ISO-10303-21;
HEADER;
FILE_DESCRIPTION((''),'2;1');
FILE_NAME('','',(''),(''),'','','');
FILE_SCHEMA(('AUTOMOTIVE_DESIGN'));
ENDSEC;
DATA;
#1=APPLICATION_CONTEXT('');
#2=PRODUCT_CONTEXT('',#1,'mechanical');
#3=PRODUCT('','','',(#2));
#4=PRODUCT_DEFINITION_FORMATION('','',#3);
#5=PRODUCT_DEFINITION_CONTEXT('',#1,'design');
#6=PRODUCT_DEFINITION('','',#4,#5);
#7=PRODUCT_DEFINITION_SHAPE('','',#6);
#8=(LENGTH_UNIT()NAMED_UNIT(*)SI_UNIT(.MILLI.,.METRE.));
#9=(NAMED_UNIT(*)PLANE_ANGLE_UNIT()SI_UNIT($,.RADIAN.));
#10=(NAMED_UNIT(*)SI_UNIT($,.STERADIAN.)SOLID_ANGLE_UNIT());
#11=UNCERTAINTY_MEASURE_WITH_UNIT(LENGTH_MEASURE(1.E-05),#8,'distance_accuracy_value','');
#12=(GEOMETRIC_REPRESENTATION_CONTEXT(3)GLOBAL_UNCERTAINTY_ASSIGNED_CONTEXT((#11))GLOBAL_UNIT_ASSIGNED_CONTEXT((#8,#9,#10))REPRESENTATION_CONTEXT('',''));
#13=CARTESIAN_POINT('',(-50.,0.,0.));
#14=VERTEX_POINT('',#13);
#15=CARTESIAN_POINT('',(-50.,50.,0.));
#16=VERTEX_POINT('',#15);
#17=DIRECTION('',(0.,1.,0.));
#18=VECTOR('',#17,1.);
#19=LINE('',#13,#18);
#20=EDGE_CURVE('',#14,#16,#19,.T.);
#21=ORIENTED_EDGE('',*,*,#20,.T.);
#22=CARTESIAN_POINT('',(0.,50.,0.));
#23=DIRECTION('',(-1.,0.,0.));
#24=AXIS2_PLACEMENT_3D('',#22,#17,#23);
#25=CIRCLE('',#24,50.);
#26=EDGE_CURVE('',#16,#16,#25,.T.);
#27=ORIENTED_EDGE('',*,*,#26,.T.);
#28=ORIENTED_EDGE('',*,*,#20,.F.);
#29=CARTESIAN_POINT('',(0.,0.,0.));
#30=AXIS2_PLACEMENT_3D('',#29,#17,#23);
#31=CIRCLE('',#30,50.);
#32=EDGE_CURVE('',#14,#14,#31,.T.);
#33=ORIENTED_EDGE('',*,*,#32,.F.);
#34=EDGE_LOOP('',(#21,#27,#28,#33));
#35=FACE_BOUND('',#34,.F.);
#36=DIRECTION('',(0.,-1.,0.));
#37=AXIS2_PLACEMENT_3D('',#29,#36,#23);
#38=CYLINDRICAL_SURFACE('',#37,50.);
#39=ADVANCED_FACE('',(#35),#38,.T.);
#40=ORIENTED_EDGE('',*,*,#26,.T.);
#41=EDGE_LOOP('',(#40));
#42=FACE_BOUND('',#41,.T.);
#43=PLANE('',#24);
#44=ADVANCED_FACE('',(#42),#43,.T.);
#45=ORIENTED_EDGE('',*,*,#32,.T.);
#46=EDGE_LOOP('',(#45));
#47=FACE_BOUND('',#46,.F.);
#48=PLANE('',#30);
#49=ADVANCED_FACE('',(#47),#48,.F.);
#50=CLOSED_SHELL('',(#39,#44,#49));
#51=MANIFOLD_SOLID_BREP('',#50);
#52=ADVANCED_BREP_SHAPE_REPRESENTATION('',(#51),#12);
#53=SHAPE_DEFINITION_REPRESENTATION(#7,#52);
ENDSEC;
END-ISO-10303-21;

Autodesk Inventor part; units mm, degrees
ref_plane "YZ Plane" through (0, 0, 0) normal (1, 0, 0) x (0, 1, 0)
ref_plane "XZ Plane" through (0, 0, 0) normal (0, 1, 0) x (-1, 0, 0)
ref_plane "XY Plane" through (0, 0, 0) normal (0, 0, 1) x (1, 0, 0)
sketch "Skizze1" plane through (0, 0, 0) normal (0, 1, 0) x (-1, 0, 0)
  circle A0 centre (0, 0) radius 50
  dimension "d0" = 100
extrude "Extrusion1" add sketch "Skizze1" along normal blind 50
properties part number "Rad"
